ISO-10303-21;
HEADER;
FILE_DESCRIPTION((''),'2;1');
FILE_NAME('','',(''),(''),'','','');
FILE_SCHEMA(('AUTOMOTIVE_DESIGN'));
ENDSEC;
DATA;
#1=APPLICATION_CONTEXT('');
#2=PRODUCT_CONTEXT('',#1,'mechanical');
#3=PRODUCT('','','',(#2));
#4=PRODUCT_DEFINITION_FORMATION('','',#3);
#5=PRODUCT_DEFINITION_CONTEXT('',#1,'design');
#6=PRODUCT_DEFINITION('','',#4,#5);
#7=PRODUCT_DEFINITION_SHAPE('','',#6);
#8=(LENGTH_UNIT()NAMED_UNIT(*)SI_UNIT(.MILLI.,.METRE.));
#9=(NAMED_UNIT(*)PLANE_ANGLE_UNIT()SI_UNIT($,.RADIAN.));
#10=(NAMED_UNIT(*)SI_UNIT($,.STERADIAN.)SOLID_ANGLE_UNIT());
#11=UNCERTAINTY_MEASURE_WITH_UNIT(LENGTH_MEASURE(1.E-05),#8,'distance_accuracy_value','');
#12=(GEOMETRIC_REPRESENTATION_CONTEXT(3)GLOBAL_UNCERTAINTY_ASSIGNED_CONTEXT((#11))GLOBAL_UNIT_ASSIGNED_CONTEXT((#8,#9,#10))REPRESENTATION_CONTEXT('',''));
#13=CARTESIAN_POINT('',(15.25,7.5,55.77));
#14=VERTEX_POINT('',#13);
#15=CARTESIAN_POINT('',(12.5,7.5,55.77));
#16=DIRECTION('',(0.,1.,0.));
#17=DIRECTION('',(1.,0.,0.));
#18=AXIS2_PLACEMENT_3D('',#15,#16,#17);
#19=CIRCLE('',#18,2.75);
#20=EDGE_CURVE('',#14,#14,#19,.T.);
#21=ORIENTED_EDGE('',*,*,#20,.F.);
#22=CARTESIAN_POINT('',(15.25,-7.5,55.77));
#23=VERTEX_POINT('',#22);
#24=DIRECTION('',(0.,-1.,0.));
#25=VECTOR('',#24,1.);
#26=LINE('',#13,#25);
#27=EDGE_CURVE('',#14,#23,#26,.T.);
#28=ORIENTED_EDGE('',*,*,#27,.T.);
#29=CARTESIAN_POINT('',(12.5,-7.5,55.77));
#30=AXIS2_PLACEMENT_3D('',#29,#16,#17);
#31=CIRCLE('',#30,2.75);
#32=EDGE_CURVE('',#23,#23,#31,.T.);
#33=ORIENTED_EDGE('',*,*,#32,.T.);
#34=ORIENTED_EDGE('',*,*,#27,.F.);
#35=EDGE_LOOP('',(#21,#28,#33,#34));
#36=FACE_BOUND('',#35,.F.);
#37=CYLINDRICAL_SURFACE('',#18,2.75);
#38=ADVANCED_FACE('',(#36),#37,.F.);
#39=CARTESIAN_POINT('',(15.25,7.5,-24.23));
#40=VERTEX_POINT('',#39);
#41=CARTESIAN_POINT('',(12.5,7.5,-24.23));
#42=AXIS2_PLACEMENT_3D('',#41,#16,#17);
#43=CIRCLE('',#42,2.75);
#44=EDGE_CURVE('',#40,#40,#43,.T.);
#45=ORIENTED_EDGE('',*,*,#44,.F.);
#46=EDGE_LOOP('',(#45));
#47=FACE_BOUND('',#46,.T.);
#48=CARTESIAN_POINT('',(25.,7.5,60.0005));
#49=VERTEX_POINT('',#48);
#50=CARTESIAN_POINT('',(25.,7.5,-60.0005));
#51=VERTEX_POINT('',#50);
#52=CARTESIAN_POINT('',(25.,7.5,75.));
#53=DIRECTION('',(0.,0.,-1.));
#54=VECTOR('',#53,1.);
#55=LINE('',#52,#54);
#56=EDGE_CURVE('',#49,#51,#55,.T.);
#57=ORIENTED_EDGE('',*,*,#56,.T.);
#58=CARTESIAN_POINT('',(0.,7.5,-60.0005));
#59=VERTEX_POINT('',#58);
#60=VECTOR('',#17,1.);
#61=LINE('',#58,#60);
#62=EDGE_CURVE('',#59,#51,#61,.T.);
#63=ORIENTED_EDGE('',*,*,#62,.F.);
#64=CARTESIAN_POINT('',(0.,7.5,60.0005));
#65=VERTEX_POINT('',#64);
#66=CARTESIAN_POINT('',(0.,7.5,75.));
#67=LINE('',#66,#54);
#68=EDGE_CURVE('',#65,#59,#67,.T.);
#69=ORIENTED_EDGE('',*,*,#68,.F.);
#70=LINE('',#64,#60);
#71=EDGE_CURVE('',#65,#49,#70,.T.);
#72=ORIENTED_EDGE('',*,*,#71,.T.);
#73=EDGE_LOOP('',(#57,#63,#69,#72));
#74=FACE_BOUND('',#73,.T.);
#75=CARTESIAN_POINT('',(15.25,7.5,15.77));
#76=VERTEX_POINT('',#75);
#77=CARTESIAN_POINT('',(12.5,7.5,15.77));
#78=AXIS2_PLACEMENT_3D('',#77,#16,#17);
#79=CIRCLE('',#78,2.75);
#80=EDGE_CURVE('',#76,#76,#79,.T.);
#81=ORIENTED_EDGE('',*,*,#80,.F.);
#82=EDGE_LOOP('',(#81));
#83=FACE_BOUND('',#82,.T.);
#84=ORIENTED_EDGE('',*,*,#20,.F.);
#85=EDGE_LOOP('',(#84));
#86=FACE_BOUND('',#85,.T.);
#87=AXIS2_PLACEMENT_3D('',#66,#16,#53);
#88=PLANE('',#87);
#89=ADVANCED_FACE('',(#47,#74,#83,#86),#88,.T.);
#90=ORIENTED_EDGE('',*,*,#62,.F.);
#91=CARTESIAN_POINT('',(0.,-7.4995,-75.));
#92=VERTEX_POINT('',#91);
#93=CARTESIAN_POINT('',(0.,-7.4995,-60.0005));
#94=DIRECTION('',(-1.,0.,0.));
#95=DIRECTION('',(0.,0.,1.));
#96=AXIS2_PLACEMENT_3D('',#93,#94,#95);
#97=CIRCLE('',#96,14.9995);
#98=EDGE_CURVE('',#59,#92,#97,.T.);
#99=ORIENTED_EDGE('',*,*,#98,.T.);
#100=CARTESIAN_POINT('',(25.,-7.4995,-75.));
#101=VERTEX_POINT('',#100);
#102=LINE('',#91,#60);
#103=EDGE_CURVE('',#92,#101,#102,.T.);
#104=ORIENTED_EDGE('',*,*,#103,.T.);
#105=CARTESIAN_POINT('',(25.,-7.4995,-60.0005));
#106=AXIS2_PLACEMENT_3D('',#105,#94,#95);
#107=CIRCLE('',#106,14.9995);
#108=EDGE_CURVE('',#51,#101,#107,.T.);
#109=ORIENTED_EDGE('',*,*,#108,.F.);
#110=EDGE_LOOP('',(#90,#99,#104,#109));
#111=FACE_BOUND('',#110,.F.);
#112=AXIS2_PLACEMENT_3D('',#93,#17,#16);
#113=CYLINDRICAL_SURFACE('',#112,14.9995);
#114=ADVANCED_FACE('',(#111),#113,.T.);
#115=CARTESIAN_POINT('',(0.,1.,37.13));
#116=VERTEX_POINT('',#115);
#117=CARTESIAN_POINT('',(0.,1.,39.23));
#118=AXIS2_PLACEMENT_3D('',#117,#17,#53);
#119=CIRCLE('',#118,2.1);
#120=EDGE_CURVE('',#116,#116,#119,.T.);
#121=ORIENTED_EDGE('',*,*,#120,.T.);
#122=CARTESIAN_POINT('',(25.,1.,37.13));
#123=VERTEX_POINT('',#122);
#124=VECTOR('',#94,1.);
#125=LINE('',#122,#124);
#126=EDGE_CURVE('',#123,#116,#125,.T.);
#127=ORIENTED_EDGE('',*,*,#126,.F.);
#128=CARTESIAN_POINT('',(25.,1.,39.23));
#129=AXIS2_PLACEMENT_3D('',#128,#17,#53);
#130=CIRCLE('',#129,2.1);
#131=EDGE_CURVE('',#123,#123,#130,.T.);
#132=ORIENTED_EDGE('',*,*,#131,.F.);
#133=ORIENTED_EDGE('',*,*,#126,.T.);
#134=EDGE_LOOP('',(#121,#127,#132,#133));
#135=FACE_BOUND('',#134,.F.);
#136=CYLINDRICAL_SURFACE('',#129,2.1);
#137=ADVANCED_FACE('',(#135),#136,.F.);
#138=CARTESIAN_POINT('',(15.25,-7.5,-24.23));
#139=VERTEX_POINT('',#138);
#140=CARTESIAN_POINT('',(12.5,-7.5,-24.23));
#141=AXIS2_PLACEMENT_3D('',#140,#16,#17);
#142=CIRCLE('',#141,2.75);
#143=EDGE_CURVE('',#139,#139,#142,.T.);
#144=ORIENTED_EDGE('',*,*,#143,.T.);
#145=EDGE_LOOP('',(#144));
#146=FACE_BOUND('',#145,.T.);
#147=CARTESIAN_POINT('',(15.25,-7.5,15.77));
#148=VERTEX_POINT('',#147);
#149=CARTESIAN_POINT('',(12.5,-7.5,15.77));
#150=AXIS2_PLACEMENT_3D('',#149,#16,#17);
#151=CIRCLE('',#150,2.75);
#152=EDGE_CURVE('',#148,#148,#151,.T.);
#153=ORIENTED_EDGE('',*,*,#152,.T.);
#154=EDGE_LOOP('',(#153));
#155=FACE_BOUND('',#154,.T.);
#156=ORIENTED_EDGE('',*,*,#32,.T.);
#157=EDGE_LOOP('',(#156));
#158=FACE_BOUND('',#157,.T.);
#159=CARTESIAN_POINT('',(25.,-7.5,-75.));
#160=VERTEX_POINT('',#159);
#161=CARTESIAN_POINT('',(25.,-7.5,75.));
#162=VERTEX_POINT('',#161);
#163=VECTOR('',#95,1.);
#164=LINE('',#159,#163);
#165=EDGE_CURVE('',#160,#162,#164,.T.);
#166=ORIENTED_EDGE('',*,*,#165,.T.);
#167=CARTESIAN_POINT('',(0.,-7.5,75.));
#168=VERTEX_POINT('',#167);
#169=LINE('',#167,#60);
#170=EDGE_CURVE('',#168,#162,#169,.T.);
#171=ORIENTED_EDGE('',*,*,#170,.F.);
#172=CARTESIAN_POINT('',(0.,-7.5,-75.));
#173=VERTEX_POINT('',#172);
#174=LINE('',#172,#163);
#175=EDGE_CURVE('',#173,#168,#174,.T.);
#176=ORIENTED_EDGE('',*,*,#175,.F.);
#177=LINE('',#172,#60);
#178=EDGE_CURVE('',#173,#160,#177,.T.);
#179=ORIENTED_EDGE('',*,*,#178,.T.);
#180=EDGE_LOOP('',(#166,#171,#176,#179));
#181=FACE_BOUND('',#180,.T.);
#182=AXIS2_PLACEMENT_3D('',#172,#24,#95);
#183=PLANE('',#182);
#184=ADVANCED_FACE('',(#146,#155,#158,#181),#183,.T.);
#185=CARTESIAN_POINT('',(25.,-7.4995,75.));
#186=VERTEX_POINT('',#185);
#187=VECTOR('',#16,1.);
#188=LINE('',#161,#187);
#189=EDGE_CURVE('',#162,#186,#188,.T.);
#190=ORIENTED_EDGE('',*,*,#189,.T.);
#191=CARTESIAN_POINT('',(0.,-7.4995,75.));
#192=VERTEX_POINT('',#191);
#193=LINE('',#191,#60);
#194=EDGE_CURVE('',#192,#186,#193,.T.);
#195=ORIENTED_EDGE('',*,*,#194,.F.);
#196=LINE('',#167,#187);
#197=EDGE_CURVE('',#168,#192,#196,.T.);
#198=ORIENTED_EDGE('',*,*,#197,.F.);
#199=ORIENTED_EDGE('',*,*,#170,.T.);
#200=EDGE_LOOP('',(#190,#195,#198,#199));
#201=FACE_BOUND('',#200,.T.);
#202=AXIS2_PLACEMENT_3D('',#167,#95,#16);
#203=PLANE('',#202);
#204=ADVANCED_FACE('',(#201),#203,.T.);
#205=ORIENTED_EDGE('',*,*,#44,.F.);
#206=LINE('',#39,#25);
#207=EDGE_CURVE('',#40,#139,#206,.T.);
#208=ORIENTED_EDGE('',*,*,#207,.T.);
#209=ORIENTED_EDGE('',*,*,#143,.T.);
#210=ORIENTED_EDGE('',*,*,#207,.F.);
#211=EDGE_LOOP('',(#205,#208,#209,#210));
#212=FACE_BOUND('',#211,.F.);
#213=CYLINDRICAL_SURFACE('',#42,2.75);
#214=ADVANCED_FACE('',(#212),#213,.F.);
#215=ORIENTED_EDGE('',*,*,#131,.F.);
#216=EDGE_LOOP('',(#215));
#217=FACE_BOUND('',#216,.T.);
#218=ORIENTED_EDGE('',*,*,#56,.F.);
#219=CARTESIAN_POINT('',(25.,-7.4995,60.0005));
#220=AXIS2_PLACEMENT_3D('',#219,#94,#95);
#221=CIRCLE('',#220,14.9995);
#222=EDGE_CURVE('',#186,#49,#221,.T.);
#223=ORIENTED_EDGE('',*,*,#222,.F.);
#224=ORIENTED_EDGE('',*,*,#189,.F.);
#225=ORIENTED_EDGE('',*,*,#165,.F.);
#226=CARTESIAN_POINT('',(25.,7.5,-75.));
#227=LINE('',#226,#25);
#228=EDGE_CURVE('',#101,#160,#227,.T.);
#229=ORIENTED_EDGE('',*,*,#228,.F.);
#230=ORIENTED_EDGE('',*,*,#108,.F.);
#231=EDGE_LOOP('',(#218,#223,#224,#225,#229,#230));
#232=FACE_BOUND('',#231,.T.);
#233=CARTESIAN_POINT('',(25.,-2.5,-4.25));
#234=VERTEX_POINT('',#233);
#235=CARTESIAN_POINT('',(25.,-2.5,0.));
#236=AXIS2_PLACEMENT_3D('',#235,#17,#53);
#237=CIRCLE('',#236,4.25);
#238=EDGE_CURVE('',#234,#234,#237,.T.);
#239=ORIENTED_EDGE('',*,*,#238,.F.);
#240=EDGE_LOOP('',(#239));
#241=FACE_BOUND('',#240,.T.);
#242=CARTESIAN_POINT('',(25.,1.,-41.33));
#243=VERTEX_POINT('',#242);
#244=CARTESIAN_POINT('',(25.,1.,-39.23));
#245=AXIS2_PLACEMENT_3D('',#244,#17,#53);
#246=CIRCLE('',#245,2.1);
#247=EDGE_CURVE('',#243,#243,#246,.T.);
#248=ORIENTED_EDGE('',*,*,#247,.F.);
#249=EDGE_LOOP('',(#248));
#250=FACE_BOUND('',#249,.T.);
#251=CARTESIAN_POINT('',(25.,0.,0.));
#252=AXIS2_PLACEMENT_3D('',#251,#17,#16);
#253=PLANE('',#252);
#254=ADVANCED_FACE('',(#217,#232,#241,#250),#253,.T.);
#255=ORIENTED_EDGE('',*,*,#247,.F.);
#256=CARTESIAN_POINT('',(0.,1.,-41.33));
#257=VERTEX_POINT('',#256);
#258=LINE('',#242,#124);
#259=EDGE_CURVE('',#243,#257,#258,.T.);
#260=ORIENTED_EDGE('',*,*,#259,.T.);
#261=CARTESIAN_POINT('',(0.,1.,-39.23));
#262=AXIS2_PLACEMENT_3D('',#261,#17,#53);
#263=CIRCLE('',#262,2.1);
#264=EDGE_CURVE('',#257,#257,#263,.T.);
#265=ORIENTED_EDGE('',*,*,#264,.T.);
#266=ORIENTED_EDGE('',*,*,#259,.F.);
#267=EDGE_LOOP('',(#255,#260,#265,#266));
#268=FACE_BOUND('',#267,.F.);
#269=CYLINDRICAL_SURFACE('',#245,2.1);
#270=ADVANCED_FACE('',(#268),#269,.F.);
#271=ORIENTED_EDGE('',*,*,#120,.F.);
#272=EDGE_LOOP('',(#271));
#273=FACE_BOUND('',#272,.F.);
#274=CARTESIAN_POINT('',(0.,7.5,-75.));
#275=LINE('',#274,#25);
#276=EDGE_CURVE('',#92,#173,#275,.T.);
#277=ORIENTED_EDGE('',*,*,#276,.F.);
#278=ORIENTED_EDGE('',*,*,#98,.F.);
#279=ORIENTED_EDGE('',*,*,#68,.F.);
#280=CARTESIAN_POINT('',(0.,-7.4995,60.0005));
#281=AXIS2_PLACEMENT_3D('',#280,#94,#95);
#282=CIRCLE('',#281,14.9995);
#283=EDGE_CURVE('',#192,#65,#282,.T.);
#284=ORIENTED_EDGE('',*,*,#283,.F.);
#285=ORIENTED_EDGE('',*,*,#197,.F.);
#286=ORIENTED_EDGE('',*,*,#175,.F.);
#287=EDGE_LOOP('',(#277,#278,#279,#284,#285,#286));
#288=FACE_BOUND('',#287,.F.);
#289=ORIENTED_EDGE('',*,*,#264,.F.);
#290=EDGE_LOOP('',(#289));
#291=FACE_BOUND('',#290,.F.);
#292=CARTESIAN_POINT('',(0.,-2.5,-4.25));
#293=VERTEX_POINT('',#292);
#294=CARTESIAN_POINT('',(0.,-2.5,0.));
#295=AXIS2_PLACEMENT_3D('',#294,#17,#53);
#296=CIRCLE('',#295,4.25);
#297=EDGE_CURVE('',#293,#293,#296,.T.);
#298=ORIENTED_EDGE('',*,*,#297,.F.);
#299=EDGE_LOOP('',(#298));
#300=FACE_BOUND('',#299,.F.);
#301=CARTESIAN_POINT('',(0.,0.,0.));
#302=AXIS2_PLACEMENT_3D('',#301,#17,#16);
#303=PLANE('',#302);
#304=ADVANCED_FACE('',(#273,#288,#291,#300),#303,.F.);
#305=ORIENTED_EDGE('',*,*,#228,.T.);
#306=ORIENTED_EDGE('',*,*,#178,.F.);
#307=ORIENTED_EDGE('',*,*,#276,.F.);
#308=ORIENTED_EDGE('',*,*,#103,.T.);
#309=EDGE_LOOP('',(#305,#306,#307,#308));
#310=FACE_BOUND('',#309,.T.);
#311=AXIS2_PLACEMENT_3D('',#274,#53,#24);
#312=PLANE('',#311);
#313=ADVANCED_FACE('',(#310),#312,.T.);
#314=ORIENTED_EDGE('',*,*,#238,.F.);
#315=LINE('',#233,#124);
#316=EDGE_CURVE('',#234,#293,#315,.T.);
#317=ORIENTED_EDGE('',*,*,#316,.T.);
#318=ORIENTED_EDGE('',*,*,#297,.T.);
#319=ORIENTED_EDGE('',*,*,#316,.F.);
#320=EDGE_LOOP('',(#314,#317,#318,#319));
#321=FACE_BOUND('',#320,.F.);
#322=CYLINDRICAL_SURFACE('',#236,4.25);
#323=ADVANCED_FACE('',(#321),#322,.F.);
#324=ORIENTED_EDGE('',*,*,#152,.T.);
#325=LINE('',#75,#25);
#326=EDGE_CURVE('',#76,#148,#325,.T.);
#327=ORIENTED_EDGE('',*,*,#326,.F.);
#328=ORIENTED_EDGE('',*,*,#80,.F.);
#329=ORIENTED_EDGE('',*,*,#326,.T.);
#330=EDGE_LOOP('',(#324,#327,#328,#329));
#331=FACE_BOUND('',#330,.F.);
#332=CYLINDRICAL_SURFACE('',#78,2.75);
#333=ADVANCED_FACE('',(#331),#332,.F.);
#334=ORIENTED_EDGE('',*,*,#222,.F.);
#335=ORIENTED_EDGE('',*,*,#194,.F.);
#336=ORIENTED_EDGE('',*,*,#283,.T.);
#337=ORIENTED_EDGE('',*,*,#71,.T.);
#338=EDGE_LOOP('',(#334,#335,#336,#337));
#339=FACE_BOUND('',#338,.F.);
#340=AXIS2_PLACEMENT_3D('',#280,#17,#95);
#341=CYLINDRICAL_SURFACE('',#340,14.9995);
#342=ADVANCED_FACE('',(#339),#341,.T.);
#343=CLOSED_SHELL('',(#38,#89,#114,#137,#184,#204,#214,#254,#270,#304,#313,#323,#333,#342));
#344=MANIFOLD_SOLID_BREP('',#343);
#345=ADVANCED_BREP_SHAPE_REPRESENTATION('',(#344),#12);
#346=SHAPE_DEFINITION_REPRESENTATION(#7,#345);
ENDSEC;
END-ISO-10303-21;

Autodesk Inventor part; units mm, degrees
ref_plane "YZ Plane" through (0, 0, 0) normal (1, 0, 0) x (0, 1, 0)
ref_plane "XZ Plane" through (0, 0, 0) normal (0, 1, 0) x (-1, 0, 0)
ref_plane "XY Plane" through (0, 0, 0) normal (0, 0, 1) x (1, 0, 0)
sketch "Sketch1" plane through (0, 0, 0) normal (1, 0, 0) x (0, 1, 0)
  line L0 (-7.5, 75) -> (7.5, 75)
  line L1 (7.5, 75) -> (7.5, -75)
  line L2 (7.5, -75) -> (-7.5, -75)
  line L3 (-7.5, -75) -> (-7.5, 75)
  line L4 (-7.5, 75) -> (7.5, -75) construction
  line L5 (7.5, 75) -> (-7.5, -75) construction
  point P0 (0, 0)
  dimension "d0" = 15
  dimension "d1" = 150
extrude "Extrusion1" add sketch "Sketch1" along normal blind 25
sketch "Sketch2" plane through (25, 0, 0) normal (1, 0, 0) x (0, 0, -1)
  circle A0 centre (-39.23, 1) radius 2.1
  circle A1 centre (39.23, 1) radius 2.1
  line L0 (-75, -7.5) -> (75, -7.5) projected
  line L1 (-75, 7.5) -> (-75, -7.5) projected
  line L2 (75, -7.5) -> (75, 7.5) projected
  point P0 (0, 0)
  dimension "d4" = 4.2
  dimension "d5" = 4.2
  dimension "d6" = 8.5
  dimension "d7" = 78.46
  dimension "d8" = 35.77
  dimension "d9" = 8.5
  dimension "d10" = 35.77
extrude "Extrusion2" cut sketch "Sketch2" against normal blind 25
fillet "Fillet1" radius 15 2 edges at (12.5, 7.5, 75) (12.5, 7.5, -75)
sketch "Sketch3" plane through (25, 0, 0) normal (1, 0, 0) x (0, 0, -1)
  circle A0 centre (0, -2.5) radius 4.25
  line L0 (60, 7.5) -> (-60, 7.5) projected
  arc A1 (75, -7.5) -> (60, 7.5) centre (60, -7.5) ccw projected
  point P0 (0, 0)
  dimension "d14" = 8.5
  dimension "d15" = 10
  dimension "d16" = 60
extrude "Extrusion3" cut sketch "Sketch3" against normal blind 25
sketch "Sketch4" plane through (0, 7.5, 60) normal (0, 1, 0) x (1, 0, 0)
  circle A0 centre (12.5, 4.23) radius 2.75 projected
  circle A1 centre (12.5, 44.23) radius 2.75 projected
  circle A2 centre (12.5, 84.23) radius 2.75 projected
  point P0 (0, 60)
extrude "Extrusion4" cut sketch "Sketch4" against normal blind 25
properties part number "Plastic Holders" material "PC/ABS Plastic"
